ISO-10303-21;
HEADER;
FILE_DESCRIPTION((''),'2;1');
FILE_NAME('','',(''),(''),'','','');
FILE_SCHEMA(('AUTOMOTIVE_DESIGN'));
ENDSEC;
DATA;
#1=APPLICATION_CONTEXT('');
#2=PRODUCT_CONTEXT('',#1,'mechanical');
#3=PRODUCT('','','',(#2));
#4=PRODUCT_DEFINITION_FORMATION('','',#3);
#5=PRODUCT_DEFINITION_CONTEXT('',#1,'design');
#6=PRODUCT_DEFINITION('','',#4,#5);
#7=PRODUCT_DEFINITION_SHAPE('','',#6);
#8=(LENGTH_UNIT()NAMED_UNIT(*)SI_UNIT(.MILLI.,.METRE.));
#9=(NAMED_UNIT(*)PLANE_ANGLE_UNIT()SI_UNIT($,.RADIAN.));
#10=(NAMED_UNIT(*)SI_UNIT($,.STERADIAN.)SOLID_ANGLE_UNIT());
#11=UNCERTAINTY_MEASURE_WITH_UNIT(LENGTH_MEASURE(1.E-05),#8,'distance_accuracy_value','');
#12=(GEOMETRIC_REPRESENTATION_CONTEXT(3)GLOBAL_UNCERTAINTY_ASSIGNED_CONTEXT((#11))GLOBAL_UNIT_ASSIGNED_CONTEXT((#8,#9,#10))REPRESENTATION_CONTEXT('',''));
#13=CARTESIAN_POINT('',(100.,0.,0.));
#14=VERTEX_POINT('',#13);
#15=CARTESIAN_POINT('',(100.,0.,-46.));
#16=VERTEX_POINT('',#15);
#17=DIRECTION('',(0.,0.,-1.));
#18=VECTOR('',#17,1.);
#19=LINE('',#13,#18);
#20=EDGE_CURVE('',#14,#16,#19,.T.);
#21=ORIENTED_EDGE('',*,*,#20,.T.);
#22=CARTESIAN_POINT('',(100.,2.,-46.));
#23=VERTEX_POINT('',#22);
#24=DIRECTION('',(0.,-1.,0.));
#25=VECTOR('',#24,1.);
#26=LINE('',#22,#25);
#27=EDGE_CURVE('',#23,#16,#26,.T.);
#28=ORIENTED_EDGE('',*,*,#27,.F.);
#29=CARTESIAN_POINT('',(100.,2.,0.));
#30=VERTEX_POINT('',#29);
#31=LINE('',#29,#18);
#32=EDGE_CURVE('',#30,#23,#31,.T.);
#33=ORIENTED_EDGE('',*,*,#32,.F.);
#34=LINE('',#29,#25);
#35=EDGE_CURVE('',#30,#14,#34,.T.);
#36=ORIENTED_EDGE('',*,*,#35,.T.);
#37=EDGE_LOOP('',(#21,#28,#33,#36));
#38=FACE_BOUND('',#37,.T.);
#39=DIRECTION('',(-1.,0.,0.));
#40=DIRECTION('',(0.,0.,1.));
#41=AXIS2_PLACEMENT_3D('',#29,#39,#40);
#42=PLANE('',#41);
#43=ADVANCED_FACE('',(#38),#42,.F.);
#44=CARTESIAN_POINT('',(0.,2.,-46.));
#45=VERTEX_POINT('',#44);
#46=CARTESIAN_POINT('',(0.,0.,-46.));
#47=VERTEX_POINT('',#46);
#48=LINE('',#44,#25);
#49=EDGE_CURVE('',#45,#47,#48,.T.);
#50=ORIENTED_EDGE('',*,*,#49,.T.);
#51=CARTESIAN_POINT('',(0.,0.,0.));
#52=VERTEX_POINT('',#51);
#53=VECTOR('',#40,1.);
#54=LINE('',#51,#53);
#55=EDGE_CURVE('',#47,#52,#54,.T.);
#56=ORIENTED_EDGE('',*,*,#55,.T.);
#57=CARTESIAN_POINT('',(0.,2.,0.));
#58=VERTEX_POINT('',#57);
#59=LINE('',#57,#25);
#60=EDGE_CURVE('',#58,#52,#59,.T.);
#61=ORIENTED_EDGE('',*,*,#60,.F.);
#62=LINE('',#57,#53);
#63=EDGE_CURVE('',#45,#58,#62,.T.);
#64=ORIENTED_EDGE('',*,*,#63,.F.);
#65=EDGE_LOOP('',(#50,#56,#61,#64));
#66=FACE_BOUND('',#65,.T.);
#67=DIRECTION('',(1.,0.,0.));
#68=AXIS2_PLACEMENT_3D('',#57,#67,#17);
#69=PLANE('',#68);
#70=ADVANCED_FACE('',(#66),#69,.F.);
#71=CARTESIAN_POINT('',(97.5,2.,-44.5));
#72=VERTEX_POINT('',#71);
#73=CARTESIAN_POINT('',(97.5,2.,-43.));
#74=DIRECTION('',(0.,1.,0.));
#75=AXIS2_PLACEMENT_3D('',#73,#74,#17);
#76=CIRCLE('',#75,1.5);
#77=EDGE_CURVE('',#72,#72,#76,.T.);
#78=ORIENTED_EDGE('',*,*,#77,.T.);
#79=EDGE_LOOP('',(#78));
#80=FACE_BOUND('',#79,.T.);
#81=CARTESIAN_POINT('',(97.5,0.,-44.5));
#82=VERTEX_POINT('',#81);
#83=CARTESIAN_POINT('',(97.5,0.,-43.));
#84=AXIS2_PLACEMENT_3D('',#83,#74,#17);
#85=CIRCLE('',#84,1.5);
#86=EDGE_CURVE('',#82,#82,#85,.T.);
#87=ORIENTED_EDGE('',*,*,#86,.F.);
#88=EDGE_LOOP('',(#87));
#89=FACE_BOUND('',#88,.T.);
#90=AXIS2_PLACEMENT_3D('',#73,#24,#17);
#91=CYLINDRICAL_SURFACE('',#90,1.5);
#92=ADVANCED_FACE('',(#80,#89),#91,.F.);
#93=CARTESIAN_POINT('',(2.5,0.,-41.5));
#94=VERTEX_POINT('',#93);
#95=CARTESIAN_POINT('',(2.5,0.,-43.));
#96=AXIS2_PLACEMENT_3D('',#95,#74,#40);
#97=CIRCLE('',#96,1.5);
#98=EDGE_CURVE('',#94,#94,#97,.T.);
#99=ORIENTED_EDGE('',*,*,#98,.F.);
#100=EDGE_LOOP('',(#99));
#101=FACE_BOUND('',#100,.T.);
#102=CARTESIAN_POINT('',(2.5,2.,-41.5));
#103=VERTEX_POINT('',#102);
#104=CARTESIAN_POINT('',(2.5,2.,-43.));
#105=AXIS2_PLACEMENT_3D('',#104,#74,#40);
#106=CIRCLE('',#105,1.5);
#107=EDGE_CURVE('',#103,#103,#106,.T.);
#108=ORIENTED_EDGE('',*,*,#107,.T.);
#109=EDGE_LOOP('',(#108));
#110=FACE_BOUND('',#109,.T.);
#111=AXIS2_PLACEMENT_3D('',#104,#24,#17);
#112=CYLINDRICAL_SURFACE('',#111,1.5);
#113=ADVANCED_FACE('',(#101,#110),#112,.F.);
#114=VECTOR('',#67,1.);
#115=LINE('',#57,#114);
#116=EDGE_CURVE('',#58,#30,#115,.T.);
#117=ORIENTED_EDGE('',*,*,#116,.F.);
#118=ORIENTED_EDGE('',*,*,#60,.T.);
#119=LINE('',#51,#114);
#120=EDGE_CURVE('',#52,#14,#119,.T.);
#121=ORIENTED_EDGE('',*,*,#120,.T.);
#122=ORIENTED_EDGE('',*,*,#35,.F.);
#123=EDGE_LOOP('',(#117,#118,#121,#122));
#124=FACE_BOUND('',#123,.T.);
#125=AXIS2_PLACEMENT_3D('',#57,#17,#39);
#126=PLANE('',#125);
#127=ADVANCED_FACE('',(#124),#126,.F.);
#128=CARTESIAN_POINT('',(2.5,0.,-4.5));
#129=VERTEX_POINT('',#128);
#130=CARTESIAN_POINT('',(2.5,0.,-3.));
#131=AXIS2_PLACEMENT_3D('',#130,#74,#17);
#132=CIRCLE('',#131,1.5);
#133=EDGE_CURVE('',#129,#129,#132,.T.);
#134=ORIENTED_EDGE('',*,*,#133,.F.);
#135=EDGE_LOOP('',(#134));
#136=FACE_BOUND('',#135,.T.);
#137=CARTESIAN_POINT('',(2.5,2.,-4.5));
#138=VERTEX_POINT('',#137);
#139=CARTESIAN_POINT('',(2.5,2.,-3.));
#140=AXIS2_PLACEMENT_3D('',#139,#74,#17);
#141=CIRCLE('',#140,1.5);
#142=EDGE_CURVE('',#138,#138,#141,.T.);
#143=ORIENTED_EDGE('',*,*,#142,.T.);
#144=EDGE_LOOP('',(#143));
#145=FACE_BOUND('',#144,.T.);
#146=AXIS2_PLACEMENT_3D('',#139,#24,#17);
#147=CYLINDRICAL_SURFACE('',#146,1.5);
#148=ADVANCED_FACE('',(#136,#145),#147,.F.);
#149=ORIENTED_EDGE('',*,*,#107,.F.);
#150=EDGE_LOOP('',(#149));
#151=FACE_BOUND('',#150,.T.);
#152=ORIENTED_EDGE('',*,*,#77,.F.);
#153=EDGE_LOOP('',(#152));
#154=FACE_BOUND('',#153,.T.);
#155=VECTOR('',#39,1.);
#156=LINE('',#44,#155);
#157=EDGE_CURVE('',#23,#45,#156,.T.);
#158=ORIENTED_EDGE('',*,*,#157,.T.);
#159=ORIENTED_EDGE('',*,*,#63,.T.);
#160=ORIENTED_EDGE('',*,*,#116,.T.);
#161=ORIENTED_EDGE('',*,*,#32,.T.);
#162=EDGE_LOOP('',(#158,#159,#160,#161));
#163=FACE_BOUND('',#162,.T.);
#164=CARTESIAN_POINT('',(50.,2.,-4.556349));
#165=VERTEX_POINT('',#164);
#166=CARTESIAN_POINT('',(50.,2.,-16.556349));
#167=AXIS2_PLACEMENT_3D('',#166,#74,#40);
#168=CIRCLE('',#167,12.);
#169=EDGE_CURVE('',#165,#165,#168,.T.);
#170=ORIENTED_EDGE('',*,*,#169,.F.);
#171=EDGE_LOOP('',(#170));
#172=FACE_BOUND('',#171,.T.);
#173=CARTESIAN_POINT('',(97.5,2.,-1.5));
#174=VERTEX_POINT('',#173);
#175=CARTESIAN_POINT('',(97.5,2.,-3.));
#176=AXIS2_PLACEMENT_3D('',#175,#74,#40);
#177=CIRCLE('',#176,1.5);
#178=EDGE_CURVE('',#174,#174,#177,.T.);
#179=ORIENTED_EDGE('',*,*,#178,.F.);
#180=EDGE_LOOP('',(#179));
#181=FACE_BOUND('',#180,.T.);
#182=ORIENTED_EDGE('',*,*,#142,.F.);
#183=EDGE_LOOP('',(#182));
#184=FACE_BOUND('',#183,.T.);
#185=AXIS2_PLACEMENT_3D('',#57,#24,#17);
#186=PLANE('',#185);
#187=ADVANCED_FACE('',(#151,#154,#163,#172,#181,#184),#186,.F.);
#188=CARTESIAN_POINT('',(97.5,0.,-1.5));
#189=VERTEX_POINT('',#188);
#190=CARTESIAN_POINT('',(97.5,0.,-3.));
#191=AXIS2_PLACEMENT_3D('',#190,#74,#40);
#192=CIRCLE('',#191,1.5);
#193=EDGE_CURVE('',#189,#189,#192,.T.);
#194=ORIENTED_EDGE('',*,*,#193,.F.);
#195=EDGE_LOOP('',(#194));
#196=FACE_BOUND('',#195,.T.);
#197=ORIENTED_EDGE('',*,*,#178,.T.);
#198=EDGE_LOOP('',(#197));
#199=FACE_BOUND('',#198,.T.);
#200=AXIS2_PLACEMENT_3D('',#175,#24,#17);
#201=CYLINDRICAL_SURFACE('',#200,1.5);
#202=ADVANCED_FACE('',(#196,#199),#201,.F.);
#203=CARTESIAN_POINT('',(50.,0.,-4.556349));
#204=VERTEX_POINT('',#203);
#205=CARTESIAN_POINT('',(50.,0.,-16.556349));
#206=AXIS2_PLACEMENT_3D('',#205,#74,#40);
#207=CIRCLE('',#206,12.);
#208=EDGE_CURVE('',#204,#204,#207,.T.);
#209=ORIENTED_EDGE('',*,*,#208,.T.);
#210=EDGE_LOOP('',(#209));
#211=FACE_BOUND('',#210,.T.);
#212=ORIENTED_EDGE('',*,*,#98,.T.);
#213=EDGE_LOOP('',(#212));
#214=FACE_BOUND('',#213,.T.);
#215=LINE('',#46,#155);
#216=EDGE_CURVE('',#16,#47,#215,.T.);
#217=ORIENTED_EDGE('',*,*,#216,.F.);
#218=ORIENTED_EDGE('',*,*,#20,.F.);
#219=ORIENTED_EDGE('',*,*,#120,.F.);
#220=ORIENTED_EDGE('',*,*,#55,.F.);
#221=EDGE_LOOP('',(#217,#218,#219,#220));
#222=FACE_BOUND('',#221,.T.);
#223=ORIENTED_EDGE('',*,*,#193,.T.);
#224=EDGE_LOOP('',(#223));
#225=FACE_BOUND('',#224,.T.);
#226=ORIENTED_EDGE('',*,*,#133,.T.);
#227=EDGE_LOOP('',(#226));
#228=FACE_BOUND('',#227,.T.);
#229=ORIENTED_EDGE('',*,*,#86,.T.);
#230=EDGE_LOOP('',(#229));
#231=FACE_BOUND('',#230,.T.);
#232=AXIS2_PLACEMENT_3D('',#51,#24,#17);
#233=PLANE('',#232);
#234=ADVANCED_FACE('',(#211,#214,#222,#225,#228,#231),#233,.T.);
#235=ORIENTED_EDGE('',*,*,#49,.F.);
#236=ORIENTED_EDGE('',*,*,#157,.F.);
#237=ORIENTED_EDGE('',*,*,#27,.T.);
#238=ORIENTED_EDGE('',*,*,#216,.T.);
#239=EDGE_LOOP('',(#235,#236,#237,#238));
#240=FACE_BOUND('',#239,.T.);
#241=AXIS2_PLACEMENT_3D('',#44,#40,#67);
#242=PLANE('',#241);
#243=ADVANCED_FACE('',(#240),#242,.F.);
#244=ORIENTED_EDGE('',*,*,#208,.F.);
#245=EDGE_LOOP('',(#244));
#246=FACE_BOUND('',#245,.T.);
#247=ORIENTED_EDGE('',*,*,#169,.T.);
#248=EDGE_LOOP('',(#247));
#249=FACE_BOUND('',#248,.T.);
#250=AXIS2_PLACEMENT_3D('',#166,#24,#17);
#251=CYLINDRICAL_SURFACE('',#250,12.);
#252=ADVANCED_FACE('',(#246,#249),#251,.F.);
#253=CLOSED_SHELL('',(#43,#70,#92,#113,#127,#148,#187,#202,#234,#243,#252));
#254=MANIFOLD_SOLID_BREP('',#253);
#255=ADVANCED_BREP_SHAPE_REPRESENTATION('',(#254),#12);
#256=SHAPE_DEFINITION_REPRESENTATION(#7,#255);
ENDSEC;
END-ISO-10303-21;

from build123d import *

# Parameters (mm, degrees)
SKETCH_1_W      = 100
SKETCH_1_H      = 46
SKETCH_1_R      = 1.5
SKETCH_1_R_2    = 12
EXTRUDE_1_DEPTH = 2


with BuildPart() as part:
    # 草图1 → 凸台-拉伸1 (new body)
    with BuildSketch(Plane(origin=(0, 0, 0), x_dir=(1, 0, 0), z_dir=(0, 1, 0))):
        with Locations((50, 23)):
            Rectangle(SKETCH_1_W, SKETCH_1_H)
        with Locations(Location((2.5, 43, 0), (0, 0, 270))):
            Circle(SKETCH_1_R, mode=Mode.SUBTRACT)
        with Locations(Location((2.5, 3, 0), (0, 0, 90))):
            Circle(SKETCH_1_R, mode=Mode.SUBTRACT)
        with Locations(Location((97.5, 3, 0), (0, 0, 270))):
            Circle(SKETCH_1_R, mode=Mode.SUBTRACT)
        with Locations(Location((97.5, 43, 0), (0, 0, 90))):
            Circle(SKETCH_1_R, mode=Mode.SUBTRACT)
        with Locations(Location((50, 16.556349186, 0), (0, 0, 270))):
            Circle(SKETCH_1_R_2, mode=Mode.SUBTRACT)
    extrude(amount=EXTRUDE_1_DEPTH)


solid = part.part
